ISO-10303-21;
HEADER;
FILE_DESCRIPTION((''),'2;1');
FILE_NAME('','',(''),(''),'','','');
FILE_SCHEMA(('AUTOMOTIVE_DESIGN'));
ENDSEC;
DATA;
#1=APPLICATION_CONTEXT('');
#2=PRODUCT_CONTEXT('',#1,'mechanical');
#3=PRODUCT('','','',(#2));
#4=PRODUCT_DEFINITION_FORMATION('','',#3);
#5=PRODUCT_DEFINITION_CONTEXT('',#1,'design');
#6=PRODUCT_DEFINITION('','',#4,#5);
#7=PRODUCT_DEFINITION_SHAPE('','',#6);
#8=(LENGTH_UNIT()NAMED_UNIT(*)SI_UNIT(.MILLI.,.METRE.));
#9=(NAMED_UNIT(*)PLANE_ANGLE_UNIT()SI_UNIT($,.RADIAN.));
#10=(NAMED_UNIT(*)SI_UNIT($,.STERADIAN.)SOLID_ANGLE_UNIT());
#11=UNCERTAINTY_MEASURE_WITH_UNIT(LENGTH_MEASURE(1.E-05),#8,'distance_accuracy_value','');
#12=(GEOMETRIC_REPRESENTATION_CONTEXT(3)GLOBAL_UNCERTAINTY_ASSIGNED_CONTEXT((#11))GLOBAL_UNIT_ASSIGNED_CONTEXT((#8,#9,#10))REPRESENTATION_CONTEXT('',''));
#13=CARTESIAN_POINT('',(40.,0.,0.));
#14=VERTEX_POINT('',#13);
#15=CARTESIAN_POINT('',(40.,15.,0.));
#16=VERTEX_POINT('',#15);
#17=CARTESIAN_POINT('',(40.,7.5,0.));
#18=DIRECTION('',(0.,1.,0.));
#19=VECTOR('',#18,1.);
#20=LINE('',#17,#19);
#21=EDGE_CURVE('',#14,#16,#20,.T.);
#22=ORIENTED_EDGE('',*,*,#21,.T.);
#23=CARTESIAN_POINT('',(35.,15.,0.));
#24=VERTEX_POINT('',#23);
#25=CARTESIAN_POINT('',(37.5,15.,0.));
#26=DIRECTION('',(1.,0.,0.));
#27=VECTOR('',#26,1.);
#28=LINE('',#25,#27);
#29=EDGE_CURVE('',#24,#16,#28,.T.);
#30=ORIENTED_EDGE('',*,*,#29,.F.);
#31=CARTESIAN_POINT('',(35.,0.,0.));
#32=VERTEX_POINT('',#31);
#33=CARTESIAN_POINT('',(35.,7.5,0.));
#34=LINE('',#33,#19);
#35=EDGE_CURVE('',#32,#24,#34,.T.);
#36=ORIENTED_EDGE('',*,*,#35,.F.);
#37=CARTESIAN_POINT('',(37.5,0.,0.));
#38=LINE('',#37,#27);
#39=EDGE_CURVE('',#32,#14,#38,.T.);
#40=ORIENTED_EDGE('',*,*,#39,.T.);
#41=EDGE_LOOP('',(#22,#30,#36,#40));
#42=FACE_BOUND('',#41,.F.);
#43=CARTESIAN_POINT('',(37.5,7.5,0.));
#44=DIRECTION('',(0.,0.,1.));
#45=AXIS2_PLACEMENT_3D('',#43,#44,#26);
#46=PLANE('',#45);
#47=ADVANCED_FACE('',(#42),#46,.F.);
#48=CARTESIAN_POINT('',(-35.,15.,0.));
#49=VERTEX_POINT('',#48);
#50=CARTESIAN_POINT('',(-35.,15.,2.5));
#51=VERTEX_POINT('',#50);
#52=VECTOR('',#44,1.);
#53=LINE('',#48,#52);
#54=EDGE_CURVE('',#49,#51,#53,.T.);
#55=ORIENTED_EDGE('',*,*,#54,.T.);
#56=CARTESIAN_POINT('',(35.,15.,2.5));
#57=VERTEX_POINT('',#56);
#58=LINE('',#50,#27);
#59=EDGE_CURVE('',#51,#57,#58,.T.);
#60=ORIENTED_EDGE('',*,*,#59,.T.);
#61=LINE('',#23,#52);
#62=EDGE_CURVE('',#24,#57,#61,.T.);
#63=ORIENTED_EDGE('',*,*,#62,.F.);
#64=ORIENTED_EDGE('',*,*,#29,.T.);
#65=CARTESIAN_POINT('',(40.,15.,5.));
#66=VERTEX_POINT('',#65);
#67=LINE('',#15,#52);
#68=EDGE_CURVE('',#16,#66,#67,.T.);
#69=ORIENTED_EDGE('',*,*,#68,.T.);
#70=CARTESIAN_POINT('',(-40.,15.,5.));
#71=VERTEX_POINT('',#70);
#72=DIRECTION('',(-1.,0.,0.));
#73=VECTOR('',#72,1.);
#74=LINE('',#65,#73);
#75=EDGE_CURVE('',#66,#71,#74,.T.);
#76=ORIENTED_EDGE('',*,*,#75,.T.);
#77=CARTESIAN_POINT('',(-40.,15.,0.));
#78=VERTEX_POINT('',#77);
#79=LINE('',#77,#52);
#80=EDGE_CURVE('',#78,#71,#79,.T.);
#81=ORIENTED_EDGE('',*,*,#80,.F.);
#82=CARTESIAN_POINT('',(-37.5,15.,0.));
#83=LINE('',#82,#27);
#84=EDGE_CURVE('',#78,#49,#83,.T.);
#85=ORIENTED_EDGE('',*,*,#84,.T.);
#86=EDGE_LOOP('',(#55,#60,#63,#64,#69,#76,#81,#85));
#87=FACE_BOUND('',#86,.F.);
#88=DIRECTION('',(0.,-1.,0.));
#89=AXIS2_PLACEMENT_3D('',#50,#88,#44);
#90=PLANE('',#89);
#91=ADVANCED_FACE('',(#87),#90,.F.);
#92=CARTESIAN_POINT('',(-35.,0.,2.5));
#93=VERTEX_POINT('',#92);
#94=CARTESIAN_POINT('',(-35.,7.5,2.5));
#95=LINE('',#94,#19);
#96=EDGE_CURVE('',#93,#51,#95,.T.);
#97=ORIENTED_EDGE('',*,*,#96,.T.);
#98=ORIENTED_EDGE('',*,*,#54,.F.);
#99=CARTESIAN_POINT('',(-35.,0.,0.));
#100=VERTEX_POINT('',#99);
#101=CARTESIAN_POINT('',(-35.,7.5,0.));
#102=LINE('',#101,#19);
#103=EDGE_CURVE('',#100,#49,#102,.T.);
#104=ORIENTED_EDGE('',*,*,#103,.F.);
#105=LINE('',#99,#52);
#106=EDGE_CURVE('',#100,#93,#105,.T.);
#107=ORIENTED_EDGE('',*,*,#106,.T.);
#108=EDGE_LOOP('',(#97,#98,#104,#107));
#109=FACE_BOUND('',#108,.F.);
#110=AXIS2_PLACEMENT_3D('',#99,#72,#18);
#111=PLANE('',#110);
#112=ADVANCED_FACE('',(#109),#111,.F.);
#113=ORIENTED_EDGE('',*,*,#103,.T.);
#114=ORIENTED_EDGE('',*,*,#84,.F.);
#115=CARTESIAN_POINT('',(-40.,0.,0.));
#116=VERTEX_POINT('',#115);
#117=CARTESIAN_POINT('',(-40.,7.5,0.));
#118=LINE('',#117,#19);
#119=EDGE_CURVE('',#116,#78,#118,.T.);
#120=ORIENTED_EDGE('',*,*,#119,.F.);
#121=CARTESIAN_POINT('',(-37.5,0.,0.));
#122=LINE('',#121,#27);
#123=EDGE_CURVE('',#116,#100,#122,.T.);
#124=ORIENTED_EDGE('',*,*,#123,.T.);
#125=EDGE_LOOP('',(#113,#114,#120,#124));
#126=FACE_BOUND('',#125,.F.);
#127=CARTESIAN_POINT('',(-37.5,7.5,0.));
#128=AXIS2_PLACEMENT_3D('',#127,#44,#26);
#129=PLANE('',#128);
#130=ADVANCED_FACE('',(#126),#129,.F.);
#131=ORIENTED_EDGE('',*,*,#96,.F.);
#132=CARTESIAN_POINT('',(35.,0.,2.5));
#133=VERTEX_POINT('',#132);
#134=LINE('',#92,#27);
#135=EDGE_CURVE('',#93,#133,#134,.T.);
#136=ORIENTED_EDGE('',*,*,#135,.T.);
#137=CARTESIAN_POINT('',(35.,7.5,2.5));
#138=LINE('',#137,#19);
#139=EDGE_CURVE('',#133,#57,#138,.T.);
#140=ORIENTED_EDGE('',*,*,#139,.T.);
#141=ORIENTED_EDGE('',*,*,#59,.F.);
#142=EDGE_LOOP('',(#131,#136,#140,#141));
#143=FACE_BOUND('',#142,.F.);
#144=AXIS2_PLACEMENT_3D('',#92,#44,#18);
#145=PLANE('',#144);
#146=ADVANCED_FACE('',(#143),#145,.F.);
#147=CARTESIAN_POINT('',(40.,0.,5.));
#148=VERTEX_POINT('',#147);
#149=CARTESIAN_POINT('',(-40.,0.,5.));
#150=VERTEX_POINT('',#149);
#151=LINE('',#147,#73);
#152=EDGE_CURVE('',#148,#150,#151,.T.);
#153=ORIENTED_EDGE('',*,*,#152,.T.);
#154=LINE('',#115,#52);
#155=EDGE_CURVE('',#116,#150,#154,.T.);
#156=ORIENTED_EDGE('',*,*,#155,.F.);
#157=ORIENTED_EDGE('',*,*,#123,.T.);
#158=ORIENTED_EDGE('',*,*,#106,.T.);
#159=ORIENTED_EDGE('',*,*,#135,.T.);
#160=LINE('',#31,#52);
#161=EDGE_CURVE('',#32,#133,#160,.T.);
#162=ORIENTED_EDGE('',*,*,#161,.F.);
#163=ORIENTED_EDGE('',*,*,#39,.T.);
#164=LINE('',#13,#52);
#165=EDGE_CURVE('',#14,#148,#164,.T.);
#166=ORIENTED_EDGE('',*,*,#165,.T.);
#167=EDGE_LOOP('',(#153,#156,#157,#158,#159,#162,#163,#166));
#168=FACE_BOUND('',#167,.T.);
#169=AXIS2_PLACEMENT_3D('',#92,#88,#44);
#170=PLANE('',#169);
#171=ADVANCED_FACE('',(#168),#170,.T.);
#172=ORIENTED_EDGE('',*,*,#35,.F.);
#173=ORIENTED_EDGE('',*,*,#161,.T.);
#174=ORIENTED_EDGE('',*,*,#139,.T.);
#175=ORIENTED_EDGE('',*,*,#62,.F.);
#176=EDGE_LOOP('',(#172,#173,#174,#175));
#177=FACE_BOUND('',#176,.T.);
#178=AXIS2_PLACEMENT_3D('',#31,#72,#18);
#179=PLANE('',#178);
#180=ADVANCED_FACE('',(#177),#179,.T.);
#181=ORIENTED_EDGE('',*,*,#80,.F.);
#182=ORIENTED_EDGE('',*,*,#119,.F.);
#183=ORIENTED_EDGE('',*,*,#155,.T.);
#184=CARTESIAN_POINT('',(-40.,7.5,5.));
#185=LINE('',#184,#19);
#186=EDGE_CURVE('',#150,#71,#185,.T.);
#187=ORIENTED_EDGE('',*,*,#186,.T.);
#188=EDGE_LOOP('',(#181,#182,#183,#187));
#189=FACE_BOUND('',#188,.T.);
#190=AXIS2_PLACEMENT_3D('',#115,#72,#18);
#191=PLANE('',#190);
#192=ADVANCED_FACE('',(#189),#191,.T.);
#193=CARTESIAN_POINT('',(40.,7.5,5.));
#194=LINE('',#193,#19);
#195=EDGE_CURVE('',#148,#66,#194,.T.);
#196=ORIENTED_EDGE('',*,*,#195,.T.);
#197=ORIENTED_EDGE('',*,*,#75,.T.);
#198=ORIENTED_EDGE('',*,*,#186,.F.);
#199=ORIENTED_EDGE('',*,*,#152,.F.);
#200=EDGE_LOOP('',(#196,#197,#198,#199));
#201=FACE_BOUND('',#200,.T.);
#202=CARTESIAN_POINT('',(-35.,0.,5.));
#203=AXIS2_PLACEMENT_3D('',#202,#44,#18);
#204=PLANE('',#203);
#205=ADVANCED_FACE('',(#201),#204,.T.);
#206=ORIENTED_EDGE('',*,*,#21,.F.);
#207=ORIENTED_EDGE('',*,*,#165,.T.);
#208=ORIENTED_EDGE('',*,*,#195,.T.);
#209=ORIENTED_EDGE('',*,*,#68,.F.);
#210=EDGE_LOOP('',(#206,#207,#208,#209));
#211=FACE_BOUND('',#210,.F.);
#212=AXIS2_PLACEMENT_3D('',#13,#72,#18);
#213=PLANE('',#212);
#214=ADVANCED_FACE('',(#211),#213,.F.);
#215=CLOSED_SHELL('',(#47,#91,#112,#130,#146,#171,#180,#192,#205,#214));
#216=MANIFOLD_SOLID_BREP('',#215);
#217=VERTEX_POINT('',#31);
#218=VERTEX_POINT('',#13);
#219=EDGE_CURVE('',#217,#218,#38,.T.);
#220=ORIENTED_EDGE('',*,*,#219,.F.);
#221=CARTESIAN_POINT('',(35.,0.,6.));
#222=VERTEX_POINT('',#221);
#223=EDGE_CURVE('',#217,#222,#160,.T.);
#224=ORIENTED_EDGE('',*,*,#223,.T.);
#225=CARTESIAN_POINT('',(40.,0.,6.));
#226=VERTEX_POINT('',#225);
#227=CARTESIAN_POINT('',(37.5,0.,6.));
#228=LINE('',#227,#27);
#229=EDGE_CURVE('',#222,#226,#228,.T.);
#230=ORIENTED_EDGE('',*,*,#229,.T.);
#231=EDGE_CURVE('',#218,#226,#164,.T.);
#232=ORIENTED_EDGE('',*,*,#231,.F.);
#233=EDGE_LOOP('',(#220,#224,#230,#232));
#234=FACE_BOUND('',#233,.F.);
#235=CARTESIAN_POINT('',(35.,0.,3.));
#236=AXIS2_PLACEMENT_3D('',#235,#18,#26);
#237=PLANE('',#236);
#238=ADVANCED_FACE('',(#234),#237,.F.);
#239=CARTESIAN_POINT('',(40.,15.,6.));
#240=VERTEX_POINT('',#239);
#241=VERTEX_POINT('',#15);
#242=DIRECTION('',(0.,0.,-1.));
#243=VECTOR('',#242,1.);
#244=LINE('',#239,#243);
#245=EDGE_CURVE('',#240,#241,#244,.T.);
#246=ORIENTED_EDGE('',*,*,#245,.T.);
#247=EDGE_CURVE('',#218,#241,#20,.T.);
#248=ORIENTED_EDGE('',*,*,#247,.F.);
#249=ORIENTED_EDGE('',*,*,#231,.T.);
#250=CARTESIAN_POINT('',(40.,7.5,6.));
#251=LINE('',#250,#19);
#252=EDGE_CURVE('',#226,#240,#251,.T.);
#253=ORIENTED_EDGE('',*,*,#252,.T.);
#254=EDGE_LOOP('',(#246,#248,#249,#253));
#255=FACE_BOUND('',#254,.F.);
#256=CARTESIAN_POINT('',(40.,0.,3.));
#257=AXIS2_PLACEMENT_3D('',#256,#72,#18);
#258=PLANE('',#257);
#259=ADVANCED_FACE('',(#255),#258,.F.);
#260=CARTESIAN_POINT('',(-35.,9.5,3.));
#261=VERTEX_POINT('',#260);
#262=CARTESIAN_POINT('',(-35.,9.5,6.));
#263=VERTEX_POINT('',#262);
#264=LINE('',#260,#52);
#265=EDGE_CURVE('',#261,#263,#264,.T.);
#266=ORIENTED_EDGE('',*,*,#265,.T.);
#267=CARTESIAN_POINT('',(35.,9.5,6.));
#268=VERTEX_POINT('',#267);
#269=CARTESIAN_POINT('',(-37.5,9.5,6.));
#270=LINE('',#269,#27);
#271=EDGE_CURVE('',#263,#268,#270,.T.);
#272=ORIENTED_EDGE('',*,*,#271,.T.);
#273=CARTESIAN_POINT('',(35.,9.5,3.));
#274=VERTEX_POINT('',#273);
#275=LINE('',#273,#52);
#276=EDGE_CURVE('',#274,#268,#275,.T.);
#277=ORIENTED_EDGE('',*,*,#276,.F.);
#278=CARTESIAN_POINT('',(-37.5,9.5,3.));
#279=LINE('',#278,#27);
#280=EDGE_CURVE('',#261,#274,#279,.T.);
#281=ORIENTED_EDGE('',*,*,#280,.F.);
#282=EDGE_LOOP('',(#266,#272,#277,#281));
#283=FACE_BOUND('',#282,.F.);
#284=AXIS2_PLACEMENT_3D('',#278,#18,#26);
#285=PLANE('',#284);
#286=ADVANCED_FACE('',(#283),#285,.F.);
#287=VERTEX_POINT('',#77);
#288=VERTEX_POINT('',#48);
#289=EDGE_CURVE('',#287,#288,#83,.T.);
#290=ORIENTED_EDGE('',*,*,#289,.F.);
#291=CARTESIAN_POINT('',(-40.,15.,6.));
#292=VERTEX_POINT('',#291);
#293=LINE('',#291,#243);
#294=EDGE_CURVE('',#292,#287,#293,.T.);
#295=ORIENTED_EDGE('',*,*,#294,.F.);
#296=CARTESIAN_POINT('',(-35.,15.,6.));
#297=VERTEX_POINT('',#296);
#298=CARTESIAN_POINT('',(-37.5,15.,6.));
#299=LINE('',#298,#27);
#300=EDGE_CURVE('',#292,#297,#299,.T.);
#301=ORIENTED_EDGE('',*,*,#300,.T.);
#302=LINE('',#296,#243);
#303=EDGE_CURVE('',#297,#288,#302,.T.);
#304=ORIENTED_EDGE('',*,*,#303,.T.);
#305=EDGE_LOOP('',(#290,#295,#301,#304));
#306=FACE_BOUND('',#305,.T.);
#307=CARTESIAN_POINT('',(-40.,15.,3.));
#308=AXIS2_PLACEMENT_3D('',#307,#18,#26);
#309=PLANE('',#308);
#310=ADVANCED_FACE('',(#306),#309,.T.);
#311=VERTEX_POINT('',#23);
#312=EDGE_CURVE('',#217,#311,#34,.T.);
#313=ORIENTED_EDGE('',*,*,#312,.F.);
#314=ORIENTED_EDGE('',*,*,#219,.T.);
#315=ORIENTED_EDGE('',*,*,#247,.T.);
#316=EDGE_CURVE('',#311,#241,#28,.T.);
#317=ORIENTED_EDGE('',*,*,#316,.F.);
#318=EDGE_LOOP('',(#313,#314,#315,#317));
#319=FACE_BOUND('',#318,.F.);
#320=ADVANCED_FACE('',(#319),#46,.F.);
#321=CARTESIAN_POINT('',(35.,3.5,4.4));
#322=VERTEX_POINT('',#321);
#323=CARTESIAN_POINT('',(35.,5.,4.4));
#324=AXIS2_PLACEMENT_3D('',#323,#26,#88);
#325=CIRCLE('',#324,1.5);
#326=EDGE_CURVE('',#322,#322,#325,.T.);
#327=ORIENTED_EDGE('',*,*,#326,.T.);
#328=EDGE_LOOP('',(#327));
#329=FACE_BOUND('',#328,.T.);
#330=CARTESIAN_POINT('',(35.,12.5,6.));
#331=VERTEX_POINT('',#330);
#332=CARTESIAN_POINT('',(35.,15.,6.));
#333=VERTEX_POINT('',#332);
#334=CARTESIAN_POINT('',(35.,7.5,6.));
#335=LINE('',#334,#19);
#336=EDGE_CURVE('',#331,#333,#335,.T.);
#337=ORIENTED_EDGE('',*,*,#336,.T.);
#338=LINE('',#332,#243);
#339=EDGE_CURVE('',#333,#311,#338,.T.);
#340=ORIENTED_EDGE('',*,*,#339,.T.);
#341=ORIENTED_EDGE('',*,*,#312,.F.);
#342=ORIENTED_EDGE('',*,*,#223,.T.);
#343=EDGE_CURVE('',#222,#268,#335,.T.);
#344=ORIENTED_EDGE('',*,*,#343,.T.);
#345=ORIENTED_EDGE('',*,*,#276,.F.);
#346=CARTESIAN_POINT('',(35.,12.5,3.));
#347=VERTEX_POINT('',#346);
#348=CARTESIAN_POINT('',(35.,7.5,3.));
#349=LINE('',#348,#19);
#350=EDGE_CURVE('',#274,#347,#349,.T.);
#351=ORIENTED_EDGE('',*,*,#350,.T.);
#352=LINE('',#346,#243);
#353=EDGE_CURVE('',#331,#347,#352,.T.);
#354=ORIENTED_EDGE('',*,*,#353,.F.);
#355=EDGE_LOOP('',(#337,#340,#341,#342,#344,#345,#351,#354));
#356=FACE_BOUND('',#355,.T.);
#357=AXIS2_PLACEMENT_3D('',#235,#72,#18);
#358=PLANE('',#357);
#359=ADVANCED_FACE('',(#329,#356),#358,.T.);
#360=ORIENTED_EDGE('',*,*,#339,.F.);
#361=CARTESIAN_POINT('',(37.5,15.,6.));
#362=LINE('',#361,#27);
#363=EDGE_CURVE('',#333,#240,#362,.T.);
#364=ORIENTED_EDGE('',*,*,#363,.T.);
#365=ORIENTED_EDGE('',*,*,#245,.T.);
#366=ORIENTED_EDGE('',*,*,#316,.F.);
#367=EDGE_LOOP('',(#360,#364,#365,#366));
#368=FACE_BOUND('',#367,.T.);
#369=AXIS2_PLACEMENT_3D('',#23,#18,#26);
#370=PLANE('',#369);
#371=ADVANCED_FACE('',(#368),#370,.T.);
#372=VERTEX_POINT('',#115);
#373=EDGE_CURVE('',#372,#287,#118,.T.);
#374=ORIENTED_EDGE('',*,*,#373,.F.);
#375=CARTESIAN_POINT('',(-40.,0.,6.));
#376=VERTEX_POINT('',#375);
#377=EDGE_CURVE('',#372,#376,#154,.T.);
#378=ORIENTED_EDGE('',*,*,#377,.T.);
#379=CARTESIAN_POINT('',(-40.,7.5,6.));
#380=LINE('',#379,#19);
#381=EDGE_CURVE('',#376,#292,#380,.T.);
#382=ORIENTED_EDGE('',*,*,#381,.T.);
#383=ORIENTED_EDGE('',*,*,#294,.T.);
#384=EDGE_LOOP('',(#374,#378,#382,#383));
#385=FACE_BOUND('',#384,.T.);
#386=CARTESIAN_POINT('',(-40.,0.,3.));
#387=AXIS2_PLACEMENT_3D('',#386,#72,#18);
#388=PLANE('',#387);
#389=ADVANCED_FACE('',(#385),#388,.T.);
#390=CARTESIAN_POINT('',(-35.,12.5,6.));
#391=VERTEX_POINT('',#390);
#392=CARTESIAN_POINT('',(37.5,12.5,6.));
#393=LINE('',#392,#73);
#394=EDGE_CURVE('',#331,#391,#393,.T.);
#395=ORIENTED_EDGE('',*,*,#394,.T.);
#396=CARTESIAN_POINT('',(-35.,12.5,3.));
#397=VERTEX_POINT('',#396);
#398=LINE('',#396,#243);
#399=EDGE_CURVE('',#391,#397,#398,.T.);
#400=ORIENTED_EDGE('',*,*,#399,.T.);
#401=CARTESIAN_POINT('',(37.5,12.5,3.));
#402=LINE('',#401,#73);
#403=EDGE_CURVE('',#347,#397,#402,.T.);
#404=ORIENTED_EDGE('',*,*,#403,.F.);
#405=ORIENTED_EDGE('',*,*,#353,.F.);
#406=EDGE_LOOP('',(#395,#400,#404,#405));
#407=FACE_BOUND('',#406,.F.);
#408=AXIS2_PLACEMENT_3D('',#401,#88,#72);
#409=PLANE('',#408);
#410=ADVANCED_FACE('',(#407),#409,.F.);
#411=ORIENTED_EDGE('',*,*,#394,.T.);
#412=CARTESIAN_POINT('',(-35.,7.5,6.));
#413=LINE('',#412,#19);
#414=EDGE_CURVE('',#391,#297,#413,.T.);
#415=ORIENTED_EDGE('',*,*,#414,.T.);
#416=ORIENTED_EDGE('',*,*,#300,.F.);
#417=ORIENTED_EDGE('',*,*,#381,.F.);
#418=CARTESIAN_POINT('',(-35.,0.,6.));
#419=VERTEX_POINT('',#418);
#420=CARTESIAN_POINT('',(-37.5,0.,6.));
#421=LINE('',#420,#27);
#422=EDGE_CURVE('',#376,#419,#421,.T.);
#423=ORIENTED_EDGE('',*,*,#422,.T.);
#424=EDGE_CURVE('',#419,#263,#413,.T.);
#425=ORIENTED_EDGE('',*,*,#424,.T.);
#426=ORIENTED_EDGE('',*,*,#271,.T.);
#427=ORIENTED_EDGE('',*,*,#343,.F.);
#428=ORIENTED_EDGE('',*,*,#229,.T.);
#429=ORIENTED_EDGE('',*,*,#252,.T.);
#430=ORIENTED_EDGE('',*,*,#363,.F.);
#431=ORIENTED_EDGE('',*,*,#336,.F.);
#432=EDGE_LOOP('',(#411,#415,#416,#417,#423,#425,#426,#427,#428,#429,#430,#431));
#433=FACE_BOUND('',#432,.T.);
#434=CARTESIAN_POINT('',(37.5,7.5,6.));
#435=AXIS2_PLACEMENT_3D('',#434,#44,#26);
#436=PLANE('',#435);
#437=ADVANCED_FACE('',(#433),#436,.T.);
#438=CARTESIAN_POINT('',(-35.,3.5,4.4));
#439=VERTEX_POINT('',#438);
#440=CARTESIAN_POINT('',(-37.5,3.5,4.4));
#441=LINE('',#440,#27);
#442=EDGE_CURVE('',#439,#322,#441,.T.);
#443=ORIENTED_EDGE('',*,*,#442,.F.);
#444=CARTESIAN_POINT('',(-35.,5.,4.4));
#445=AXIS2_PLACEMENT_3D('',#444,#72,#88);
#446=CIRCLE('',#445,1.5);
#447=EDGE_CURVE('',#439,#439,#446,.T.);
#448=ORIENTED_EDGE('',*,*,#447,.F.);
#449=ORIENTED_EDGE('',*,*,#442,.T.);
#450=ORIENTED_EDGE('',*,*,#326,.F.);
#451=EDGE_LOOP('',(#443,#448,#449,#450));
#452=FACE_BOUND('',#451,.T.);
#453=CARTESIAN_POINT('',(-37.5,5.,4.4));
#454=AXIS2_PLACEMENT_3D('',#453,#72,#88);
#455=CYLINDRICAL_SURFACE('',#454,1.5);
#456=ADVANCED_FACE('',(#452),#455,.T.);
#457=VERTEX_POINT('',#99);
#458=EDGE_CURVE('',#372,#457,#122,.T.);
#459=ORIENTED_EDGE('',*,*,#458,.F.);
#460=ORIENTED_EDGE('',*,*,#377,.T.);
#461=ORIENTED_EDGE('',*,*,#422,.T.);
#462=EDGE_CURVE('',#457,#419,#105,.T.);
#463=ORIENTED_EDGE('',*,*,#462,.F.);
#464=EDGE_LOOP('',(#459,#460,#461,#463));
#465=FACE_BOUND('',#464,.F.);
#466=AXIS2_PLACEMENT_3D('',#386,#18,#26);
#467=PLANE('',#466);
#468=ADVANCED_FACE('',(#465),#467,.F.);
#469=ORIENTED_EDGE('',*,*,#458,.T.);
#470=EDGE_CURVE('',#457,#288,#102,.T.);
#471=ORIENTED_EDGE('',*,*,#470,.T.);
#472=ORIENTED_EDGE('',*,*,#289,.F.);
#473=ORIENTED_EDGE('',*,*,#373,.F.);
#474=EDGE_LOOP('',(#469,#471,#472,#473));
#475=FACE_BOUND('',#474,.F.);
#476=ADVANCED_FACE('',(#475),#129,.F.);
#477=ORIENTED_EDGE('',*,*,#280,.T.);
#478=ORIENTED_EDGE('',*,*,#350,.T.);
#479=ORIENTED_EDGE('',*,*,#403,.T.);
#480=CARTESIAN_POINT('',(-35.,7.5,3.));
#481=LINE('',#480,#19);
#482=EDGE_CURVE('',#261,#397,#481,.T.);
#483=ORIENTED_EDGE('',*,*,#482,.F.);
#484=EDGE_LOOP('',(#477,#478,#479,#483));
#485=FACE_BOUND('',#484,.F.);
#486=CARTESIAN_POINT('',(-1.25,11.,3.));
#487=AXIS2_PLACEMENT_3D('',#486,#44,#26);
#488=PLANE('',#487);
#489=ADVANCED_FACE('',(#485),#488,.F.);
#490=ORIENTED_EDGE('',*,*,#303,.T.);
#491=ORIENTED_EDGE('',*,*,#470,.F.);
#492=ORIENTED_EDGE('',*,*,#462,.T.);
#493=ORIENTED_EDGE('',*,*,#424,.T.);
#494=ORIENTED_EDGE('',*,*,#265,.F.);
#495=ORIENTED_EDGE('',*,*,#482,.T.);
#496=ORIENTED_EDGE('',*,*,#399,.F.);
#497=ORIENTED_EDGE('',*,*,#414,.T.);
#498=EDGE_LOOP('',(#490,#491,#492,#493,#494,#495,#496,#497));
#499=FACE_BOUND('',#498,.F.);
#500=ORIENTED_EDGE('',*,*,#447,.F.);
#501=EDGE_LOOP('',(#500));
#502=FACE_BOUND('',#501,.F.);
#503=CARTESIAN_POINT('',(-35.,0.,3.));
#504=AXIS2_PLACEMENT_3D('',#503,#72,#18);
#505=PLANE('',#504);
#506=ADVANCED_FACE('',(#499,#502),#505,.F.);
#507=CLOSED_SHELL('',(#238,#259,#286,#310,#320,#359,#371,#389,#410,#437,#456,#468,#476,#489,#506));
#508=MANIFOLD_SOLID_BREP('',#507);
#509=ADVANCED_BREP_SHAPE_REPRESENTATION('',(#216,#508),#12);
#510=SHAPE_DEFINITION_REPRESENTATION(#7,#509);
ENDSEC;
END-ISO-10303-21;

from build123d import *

# Parameters (mm, degrees)
F0_W      = 5
F0_H      = 15
F1_DEPTH  = 3
F2_W      = 72.5
F2_H      = 3
F2_W_2    = 2.5
F3_DEPTH  = 3
F4_R      = 1.5
F5_DEPTH  = 75
F6_DEPTH  = 3
F7_DEPTH  = 3
F8_DEPTH  = 5
F9_W      = 15
F9_H      = 2.5
F10_DEPTH = 70


with BuildPart() as f1:
    # F0 (on Top) → F1 (new body)
    with BuildSketch(Plane.XY):
        with Locations((-37.5, 7.5)):
            Rectangle(F0_W, F0_H)
    extrude(amount=F1_DEPTH)

    # F6 (add, through all): a face of the model
    f6_faces = [f1.faces().sort_by_distance(p)[0] for p in [
        (-37.5, 7.5, 3),
    ]]


with BuildPart() as f1b:
    # F0 (on Top) → F1, piece 2 (new body)
    with BuildSketch(Plane.XY):
        with Locations((37.5, 7.5)):
            Rectangle(F0_W, F0_H)
    extrude(amount=F1_DEPTH)


with BuildPart() as f3:
    # F2 (on face) → F3 (new body)
    with BuildSketch(Plane.XY.offset(3)):
        with Locations((-1.25, 11)):
            Rectangle(F2_W, F2_H)
        with Locations((36.25, 11)):
            Rectangle(F2_W_2, F2_H)
    extrude(amount=F3_DEPTH)


with BuildPart() as f5:
    # F4 (on face) → F5 (new body)
    with BuildSketch(Plane(origin=(-37.5, 0, 0), x_dir=(0, -1, 0), z_dir=(-1, 0, 0))):
        with Locations((-5, 4.4)):
            Circle(F4_R)
    extrude(amount=-F5_DEPTH)


with BuildPart() as f1_1:
    add(f1.part)

    add(f3.part)  # F6 merges F3

    add(f5.part)  # F6 merges F5
    extrude(f6_faces, amount=F6_DEPTH)

    # F7 (add, through all): a face of the model
    f7_faces = [f1b.part.faces().sort_by_distance(p)[0] for p in [
        (37.5, 7.5, 3),
    ]]

    add(f1b.part)  # F7 merges F1b
    extrude(f7_faces, amount=F7_DEPTH)


with BuildPart() as f8:
    # F0 (on Top) → F8 (new body)
    with BuildSketch(Plane.XY):
        with Locations((-37.5, 7.5)):
            Rectangle(F0_W, F0_H)
    extrude(amount=F8_DEPTH)



with BuildPart() as f8b:
    # F0 (on Top) → F8, piece 2 (new body)
    with BuildSketch(Plane.XY):
        with Locations((37.5, 7.5)):
            Rectangle(F0_W, F0_H)
    extrude(amount=F8_DEPTH)


with BuildPart() as f8_1:
    add(f8.part)

    add(f8b.part)  # F10 merges F8b
    # F9 (on face) → F10 (join, through all)
    with BuildSketch(Plane.YZ.offset(-35)):
        with Locations((7.5, 3.75)):
            Rectangle(F9_W, F9_H)
    extrude(amount=F10_DEPTH)


solid = Compound([f1_1.part, f8_1.part])
